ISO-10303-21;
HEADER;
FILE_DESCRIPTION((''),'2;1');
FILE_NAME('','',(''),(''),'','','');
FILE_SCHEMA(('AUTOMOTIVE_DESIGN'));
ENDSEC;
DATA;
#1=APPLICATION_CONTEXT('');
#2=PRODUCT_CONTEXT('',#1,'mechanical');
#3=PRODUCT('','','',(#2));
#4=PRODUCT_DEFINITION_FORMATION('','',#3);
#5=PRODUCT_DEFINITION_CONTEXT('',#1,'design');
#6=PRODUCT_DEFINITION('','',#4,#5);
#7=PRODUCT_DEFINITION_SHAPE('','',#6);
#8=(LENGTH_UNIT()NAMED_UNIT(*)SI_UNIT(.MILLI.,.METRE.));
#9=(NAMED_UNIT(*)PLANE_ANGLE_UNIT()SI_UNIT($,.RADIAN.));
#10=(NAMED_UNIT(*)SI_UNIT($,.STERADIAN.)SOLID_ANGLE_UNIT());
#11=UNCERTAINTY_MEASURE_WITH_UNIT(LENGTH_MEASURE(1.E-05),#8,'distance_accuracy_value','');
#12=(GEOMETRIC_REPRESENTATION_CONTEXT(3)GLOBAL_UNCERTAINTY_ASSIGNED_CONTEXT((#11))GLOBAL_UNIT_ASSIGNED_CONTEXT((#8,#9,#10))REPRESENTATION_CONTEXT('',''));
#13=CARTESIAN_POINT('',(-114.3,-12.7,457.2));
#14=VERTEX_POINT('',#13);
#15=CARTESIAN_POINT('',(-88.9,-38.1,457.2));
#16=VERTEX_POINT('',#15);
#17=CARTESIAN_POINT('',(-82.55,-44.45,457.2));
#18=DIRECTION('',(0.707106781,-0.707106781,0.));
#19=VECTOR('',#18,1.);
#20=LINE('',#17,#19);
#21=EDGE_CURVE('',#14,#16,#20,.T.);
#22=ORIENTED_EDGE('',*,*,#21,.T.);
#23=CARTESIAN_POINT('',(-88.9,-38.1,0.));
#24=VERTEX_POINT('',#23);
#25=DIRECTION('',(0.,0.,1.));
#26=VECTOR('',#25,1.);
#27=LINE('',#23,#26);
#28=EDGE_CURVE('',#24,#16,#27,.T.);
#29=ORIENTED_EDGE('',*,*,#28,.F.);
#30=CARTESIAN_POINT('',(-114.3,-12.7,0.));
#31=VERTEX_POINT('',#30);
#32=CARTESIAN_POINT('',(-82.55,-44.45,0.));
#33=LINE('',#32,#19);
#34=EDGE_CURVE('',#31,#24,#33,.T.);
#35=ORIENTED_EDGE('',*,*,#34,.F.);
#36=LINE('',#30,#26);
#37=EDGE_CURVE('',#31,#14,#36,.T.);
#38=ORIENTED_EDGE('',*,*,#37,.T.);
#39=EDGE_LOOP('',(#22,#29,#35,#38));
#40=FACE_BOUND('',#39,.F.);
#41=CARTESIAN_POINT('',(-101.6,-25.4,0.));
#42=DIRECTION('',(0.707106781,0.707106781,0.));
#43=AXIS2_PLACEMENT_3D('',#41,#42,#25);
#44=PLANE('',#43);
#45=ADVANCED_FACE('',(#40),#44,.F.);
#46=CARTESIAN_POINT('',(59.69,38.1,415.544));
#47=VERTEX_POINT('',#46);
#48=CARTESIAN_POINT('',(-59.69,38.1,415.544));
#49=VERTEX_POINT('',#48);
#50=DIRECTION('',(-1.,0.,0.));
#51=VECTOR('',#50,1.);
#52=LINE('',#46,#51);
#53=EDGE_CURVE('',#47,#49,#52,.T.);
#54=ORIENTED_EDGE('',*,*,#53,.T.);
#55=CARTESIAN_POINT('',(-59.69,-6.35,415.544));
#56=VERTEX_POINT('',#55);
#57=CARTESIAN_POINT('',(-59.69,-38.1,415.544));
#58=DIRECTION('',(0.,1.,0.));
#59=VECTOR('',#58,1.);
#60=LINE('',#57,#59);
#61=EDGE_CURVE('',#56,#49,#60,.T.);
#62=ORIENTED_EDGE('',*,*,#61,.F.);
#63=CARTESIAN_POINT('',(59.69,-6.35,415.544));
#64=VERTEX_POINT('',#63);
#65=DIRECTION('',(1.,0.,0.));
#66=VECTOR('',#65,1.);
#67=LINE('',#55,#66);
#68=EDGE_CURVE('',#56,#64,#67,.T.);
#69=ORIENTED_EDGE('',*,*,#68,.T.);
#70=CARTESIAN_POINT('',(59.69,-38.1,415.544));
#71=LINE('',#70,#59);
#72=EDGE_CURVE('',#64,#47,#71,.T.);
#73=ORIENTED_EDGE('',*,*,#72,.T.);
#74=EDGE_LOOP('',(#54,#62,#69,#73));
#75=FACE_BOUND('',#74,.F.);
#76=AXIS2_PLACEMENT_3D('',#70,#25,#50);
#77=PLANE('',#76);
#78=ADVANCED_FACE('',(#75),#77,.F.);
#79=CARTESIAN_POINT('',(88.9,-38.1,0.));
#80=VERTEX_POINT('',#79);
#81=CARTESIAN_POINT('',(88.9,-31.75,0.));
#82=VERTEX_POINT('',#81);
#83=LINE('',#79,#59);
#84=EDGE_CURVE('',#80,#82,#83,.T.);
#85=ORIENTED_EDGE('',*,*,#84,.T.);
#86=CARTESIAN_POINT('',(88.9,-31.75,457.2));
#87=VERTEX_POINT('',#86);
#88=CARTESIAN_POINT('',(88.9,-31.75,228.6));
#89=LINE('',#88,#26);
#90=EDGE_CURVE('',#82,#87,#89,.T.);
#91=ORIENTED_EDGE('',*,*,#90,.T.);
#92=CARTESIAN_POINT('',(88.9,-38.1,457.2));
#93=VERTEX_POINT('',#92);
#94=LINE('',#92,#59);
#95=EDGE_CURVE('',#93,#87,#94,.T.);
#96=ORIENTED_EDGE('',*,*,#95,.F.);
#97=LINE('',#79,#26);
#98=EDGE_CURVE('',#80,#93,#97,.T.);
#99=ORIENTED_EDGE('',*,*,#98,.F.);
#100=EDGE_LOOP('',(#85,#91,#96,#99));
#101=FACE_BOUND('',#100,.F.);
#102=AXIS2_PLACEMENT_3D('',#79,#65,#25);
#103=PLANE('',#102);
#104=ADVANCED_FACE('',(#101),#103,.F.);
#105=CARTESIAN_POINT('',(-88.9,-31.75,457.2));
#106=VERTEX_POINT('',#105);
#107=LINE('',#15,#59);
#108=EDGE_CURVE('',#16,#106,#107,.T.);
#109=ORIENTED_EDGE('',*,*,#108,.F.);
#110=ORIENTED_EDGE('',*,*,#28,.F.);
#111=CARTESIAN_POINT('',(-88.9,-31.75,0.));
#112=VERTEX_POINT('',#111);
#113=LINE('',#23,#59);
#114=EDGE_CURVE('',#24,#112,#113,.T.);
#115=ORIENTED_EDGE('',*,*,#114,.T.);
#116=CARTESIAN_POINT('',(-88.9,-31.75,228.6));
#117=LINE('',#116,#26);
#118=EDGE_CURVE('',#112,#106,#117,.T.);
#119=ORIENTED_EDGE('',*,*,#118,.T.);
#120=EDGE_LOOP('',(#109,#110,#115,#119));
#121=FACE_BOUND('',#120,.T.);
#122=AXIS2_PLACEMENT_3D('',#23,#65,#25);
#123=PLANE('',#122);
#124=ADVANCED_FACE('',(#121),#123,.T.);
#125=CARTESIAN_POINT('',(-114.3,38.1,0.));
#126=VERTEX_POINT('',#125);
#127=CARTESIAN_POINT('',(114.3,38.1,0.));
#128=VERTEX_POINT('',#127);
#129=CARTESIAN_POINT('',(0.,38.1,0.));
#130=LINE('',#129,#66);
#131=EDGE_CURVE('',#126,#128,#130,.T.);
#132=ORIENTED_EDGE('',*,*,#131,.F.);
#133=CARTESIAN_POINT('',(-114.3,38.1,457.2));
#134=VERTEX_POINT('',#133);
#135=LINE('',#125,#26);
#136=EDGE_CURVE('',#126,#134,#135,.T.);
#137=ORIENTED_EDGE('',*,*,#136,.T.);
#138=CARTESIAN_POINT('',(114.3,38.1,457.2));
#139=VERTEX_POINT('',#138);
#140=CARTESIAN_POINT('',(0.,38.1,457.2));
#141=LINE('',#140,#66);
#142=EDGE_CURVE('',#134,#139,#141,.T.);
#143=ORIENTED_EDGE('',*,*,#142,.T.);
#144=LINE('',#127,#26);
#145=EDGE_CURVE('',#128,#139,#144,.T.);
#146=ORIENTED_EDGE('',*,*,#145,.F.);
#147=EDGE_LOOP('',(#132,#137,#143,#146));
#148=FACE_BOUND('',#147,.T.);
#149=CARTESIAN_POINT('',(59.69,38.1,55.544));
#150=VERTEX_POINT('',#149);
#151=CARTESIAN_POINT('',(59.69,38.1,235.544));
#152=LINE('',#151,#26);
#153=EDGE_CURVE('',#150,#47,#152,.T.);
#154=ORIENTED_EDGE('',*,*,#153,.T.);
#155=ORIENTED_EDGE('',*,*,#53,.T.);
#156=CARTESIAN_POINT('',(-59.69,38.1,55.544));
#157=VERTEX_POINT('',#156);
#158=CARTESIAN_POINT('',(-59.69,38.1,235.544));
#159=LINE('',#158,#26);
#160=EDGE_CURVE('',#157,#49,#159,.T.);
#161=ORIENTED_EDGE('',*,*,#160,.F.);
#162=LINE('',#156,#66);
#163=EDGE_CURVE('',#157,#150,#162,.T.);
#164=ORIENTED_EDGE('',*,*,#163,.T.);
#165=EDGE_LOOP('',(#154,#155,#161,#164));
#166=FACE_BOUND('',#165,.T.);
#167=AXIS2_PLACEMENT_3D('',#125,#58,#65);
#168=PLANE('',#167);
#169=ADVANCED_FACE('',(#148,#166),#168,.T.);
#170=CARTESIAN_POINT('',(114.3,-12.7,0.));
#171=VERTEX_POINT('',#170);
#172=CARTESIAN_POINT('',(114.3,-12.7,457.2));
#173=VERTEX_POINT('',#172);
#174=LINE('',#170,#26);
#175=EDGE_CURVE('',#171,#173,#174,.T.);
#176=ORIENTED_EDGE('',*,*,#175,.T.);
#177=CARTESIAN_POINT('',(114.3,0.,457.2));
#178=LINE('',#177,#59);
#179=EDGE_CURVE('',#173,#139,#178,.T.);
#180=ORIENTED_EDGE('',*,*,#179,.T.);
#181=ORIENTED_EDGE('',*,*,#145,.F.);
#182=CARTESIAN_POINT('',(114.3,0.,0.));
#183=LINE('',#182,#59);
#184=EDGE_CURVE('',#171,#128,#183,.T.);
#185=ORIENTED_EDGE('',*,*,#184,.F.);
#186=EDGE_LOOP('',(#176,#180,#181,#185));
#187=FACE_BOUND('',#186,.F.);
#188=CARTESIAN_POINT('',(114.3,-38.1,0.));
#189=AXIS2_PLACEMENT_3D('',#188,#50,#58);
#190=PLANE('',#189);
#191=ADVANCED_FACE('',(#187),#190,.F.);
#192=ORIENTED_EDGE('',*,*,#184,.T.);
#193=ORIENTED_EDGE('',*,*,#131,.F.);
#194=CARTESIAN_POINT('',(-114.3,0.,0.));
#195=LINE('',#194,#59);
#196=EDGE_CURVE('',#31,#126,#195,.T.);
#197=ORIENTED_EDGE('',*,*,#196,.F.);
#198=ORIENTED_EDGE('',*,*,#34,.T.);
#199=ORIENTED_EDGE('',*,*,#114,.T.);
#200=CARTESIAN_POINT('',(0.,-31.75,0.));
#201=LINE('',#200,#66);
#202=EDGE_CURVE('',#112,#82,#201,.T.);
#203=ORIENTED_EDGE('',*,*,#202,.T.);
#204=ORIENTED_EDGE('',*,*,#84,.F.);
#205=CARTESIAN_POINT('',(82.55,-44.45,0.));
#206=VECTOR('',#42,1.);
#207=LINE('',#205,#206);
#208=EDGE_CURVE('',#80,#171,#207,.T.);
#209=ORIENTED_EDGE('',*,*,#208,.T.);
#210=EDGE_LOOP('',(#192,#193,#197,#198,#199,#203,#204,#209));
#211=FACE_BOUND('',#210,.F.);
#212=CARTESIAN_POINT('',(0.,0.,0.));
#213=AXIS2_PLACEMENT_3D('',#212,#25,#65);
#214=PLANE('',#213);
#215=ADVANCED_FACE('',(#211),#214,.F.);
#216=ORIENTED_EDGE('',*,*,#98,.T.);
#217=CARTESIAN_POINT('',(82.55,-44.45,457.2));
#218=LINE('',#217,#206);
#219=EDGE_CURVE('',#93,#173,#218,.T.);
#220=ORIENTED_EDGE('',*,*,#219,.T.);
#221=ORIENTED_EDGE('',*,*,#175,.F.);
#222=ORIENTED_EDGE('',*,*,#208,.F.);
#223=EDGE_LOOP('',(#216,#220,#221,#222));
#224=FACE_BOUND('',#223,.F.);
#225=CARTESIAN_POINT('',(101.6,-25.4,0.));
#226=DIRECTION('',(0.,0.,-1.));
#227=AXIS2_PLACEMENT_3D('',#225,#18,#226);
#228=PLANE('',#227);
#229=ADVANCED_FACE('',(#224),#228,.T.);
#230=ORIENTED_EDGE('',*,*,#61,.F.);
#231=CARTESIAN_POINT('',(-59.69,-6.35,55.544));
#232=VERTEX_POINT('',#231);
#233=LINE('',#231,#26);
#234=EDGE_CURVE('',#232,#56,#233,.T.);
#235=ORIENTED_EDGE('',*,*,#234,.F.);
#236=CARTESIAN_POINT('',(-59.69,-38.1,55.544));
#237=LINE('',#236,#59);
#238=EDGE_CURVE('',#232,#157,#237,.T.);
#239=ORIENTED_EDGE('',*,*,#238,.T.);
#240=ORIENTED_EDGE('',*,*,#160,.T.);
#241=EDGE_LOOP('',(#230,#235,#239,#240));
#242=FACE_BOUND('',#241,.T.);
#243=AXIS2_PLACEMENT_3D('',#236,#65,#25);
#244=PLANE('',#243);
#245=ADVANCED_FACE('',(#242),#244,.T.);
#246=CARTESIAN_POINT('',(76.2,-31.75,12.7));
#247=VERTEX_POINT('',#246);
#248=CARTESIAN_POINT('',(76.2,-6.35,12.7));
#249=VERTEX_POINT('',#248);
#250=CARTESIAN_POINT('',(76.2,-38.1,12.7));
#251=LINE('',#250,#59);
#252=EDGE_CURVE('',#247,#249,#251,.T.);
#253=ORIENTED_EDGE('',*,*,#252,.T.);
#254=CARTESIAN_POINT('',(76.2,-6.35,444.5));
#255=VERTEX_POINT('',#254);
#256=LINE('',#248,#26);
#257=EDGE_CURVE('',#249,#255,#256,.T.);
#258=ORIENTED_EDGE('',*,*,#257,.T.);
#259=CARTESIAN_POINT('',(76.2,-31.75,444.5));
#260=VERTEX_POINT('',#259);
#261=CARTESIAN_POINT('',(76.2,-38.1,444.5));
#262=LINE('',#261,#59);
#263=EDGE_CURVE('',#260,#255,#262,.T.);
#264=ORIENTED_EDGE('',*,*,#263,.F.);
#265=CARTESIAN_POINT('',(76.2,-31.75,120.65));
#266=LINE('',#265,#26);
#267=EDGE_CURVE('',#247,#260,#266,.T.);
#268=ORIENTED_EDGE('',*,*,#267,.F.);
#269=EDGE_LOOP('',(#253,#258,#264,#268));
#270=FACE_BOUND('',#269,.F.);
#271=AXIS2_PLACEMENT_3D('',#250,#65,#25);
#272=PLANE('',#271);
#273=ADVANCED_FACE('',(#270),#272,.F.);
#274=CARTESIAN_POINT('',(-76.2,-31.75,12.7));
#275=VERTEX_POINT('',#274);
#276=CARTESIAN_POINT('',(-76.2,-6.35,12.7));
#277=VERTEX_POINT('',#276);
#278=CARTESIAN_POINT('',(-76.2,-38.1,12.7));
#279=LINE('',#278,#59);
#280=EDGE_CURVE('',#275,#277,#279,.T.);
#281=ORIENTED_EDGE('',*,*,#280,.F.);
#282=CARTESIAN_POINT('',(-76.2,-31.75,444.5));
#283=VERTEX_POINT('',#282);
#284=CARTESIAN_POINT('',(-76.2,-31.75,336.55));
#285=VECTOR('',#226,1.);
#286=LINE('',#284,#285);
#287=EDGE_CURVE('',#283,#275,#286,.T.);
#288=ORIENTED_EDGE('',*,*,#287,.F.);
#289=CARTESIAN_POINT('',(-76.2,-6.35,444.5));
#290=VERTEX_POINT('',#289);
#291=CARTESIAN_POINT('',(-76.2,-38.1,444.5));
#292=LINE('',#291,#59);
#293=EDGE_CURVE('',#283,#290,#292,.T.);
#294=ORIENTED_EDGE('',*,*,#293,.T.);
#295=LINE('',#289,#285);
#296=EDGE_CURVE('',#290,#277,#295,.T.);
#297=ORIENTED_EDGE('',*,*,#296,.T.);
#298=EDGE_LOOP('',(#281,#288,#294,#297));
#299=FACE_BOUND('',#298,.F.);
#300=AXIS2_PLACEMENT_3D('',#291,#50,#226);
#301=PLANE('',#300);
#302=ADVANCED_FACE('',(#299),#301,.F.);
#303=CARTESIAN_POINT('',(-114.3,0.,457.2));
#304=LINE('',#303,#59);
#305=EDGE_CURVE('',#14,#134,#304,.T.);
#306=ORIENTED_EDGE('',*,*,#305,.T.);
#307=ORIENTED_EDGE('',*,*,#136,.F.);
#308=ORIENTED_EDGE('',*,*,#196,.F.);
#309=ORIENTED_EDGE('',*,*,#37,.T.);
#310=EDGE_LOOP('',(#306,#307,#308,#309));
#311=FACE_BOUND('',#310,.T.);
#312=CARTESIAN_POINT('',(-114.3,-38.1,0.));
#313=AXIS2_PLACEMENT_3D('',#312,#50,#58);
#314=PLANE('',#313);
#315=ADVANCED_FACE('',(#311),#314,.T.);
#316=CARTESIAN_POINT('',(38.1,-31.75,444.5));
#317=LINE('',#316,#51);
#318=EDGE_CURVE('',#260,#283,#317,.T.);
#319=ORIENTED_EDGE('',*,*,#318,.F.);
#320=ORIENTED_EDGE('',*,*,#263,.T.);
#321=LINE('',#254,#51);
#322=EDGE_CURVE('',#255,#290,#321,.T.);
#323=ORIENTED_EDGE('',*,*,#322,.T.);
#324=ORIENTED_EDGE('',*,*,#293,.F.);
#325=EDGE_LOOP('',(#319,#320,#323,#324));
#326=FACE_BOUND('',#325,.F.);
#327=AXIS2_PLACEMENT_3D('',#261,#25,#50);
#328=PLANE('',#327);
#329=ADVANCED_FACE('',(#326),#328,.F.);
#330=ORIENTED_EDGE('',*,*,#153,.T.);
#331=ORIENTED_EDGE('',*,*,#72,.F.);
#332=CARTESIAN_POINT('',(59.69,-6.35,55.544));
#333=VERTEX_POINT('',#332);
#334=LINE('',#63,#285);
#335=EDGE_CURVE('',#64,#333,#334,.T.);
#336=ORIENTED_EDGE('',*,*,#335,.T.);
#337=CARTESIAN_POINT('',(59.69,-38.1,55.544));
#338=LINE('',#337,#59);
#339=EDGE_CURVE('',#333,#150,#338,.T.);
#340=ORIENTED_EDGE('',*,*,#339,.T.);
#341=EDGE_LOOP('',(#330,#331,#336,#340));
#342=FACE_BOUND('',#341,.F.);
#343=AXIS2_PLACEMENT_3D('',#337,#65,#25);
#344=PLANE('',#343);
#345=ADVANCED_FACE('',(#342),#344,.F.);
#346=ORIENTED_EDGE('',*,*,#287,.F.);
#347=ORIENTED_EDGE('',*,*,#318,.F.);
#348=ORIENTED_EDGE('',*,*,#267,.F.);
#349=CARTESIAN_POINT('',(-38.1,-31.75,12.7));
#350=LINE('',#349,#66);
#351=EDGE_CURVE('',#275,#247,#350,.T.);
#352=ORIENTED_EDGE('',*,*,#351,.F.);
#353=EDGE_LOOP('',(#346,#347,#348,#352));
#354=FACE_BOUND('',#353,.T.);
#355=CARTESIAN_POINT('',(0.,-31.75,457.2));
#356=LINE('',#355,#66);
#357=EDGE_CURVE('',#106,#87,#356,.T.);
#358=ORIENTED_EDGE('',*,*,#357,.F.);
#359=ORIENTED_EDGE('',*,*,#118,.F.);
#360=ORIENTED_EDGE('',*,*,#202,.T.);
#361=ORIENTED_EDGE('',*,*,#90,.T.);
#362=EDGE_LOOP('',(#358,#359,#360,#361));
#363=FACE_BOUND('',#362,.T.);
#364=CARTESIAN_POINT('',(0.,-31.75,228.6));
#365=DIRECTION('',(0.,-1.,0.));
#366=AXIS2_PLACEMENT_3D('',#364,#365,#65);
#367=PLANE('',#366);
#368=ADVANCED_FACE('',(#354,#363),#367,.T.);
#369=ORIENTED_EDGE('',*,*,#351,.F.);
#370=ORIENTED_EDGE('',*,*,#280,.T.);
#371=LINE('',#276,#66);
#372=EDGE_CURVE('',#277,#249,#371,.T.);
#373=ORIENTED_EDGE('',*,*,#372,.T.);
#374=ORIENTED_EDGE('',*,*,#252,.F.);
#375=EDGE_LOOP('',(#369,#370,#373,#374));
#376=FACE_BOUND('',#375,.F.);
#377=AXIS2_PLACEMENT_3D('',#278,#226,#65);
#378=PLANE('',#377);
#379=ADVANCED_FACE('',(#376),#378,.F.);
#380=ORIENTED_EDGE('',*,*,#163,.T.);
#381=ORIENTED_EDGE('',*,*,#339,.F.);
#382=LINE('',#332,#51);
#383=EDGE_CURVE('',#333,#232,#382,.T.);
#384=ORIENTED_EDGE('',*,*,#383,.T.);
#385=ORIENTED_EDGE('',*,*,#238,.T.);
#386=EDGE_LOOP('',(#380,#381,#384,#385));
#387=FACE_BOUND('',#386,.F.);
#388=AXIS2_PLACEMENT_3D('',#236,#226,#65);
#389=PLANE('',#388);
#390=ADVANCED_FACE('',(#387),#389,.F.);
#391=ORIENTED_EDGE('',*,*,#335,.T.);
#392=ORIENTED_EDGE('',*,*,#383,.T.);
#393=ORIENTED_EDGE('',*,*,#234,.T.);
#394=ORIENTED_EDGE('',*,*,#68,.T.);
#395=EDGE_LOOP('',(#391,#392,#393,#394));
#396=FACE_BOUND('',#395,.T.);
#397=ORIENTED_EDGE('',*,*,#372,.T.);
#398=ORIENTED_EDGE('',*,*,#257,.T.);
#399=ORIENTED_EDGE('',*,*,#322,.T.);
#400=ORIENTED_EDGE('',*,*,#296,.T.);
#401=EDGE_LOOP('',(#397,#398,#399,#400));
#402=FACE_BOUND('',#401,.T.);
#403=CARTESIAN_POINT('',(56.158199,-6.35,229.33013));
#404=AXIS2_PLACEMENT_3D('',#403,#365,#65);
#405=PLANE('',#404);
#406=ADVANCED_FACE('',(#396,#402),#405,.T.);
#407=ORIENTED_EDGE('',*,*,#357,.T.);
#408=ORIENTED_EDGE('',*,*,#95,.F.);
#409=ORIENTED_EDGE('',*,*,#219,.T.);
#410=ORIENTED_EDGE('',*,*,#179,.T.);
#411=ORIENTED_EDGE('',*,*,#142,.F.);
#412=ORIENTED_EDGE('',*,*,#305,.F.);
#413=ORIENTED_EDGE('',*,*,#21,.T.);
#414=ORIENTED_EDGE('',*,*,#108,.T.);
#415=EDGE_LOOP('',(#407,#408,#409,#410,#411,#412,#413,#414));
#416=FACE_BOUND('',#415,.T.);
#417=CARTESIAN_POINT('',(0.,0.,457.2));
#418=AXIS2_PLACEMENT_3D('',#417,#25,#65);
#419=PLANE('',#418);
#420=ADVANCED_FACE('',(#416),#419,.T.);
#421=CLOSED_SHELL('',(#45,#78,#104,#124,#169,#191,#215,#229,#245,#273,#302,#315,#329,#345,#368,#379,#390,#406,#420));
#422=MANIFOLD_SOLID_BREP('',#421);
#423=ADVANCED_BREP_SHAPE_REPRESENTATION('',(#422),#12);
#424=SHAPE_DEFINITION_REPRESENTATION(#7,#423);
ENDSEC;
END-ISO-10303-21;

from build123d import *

# Parameters (mm, degrees)
F0_W        = 228.6
F0_H        = 76.2
F1_DEPTH    = 457.2
F2_SIZE     = 25.4
F3_W        = 59.69
F3_H        = 360
F4_DEPTH    = 76.2
F1_FACE_W   = 177.8
F1_FACE_H   = 457.2
F1_FACE_W_2 = 119.38
F1_FACE_H_2 = 360
F5_DEPTH    = 6.35
F6_DEPTH    = 31.75


with BuildPart() as f1:
    # F0 (on Top) → F1 (new body)
    with BuildSketch(Plane.XY):
        Rectangle(F0_W, F0_H)
    extrude(amount=F1_DEPTH)

    # F2
    f2_edges = [f1.edges().sort_by_distance(p)[0] for p in [
        (-114.3, -38.1, 228.6),
        (114.3, -38.1, 228.6),
    ]]
    chamfer(f2_edges, length=F2_SIZE)

    # F3 (on face) → F4 (cut)
    with BuildSketch(Plane.XZ.offset(38.1)):
        with Locations((29.845, 235.544)):
            Rectangle(F3_W, F3_H)
        with Locations((-29.845, 235.544)):
            Rectangle(F3_W, F3_H)
    extrude(amount=-F4_DEPTH, mode=Mode.SUBTRACT)

    # F3 (on face) + F1_face (on face) → F5 (cut)
    with BuildSketch(Plane.XZ.offset(38.1)):
        Polygon((-76.2, 12.7), (0, 12.7), (0, 55.544), (-59.69, 55.544), (-59.69, 415.544), (0, 415.544), (0, 444.5), (-76.2, 444.5), align=None)
        Polygon((0, 55.544), (0, 12.7), (76.2, 12.7), (76.2, 444.5), (0, 444.5), (0, 415.544), (59.69, 415.544), (59.69, 55.544), align=None)
    with BuildSketch(Plane(origin=(0, -38.1, 228.6), x_dir=(1, 0, 0), z_dir=(0, -1, 0))):
        Rectangle(F1_FACE_W, F1_FACE_H)
        with Locations((0, 6.944)):
            Rectangle(F1_FACE_W_2, F1_FACE_H_2, mode=Mode.SUBTRACT)
    extrude(amount=-F5_DEPTH, mode=Mode.SUBTRACT)

    # F3 (on face) → F6 (cut)
    with BuildSketch(Plane.XZ.offset(38.1)):
        Polygon((0, 55.544), (0, 12.7), (76.2, 12.7), (76.2, 444.5), (0, 444.5), (0, 415.544), (59.69, 415.544), (59.69, 55.544), align=None)
        Polygon((-76.2, 12.7), (0, 12.7), (0, 55.544), (-59.69, 55.544), (-59.69, 415.544), (0, 415.544), (0, 444.5), (-76.2, 444.5), align=None)
    extrude(amount=-F6_DEPTH, mode=Mode.SUBTRACT)


solid = f1.part
